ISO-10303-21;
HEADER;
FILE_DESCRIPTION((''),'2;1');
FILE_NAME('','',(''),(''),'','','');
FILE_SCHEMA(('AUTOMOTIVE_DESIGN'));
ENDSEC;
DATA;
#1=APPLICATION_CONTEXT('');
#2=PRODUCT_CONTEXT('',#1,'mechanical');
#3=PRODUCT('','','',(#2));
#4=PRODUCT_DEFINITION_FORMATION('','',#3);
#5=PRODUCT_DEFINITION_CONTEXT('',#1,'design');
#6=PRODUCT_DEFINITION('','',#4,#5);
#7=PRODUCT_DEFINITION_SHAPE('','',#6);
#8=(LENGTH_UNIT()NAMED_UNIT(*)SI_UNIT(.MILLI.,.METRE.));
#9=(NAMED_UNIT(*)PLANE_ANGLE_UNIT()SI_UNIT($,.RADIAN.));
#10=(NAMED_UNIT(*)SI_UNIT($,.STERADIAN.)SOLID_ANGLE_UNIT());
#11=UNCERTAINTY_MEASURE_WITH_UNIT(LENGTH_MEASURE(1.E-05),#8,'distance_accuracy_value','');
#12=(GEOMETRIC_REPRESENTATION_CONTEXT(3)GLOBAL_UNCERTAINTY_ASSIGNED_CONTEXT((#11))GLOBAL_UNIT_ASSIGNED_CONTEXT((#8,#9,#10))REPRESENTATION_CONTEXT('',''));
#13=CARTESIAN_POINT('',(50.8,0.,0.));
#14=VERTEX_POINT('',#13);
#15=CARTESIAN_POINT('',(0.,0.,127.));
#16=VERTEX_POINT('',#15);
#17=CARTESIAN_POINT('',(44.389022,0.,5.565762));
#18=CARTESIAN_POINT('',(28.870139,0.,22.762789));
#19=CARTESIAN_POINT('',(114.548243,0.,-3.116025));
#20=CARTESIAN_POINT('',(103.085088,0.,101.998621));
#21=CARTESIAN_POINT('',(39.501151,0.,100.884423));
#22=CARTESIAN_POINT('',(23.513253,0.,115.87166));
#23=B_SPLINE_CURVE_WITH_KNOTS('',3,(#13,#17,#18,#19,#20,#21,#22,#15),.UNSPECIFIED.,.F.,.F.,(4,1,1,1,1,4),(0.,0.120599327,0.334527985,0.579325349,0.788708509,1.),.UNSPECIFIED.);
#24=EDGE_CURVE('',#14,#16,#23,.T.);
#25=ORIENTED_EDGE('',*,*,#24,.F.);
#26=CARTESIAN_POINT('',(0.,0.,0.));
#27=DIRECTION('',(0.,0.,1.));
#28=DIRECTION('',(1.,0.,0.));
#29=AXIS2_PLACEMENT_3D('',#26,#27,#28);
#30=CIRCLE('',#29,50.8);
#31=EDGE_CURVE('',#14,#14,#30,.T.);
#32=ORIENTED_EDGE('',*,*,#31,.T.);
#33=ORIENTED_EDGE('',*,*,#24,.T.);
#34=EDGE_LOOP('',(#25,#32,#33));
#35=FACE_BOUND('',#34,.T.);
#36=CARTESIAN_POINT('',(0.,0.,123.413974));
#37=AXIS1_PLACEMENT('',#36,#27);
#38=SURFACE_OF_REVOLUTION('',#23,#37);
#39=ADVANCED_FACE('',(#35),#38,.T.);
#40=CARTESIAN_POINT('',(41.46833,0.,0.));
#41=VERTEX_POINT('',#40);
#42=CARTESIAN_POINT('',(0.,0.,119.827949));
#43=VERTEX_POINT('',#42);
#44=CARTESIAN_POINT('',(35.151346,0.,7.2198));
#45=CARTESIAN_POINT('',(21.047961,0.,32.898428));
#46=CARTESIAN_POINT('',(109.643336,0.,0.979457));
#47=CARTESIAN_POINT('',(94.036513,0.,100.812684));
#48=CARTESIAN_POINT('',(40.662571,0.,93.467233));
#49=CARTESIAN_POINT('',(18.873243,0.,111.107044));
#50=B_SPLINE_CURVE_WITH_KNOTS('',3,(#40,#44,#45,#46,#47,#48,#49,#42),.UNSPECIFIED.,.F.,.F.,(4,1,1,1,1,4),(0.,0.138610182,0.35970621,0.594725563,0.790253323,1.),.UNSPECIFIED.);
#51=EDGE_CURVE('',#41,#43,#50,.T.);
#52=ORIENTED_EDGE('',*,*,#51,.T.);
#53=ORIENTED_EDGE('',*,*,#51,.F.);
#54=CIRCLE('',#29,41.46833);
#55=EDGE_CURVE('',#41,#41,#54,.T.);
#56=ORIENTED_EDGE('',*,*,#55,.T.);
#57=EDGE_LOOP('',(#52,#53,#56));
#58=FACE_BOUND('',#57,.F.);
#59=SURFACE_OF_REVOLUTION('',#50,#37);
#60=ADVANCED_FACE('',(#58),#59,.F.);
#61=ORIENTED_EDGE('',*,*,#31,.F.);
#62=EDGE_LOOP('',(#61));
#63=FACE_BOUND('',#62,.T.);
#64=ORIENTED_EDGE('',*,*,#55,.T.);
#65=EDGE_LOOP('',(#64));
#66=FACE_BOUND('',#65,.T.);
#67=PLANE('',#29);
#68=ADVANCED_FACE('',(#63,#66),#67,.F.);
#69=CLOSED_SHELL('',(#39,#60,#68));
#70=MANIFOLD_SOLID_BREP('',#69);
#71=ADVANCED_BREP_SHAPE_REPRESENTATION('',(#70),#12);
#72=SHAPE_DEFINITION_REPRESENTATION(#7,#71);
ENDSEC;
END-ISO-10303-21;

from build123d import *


with BuildPart() as f1:
    # F0 (on Front) → F1 (revolve)
    with BuildSketch(Plane.XZ):
        with BuildLine():
            Line((41.4683297276, 0), (50.8, 0))
            add(Edge.make_bspline(
                [(50.8, 0), (44.3890215533, 5.5657617108), (28.8701391454, 22.7627891728), (114.5482431328, -3.1160252283), (103.0850884432, 101.9986208288), (39.5011505292, 100.8844225433), (23.5132527899, 115.8716596516), (0, 127)],
                knots=[0, 0, 0, 0, 0.1205993273, 0.3345279846, 0.5793253492, 0.7887085086, 1, 1, 1, 1], degree=3))
            Line((0, 127), (0, 119.8279485106))
            add(Edge.make_bspline(
                [(41.4683297276, 0), (35.1513460688, 7.2198000091), (21.0479608537, 32.8984284761), (109.6433362338, 0.9794571982), (94.0365127914, 100.8126837272), (40.6625713553, 93.4672332435), (18.8732426614, 111.1070439219), (0, 119.8279485106)],
                knots=[0, 0, 0, 0, 0.1386101819, 0.3597062101, 0.5947255628, 0.7902533226, 1, 1, 1, 1], degree=3))
        make_face()
    revolve(axis=Axis((0, 0, 123.4139742553), (0, 0, 1)))


solid = f1.part
